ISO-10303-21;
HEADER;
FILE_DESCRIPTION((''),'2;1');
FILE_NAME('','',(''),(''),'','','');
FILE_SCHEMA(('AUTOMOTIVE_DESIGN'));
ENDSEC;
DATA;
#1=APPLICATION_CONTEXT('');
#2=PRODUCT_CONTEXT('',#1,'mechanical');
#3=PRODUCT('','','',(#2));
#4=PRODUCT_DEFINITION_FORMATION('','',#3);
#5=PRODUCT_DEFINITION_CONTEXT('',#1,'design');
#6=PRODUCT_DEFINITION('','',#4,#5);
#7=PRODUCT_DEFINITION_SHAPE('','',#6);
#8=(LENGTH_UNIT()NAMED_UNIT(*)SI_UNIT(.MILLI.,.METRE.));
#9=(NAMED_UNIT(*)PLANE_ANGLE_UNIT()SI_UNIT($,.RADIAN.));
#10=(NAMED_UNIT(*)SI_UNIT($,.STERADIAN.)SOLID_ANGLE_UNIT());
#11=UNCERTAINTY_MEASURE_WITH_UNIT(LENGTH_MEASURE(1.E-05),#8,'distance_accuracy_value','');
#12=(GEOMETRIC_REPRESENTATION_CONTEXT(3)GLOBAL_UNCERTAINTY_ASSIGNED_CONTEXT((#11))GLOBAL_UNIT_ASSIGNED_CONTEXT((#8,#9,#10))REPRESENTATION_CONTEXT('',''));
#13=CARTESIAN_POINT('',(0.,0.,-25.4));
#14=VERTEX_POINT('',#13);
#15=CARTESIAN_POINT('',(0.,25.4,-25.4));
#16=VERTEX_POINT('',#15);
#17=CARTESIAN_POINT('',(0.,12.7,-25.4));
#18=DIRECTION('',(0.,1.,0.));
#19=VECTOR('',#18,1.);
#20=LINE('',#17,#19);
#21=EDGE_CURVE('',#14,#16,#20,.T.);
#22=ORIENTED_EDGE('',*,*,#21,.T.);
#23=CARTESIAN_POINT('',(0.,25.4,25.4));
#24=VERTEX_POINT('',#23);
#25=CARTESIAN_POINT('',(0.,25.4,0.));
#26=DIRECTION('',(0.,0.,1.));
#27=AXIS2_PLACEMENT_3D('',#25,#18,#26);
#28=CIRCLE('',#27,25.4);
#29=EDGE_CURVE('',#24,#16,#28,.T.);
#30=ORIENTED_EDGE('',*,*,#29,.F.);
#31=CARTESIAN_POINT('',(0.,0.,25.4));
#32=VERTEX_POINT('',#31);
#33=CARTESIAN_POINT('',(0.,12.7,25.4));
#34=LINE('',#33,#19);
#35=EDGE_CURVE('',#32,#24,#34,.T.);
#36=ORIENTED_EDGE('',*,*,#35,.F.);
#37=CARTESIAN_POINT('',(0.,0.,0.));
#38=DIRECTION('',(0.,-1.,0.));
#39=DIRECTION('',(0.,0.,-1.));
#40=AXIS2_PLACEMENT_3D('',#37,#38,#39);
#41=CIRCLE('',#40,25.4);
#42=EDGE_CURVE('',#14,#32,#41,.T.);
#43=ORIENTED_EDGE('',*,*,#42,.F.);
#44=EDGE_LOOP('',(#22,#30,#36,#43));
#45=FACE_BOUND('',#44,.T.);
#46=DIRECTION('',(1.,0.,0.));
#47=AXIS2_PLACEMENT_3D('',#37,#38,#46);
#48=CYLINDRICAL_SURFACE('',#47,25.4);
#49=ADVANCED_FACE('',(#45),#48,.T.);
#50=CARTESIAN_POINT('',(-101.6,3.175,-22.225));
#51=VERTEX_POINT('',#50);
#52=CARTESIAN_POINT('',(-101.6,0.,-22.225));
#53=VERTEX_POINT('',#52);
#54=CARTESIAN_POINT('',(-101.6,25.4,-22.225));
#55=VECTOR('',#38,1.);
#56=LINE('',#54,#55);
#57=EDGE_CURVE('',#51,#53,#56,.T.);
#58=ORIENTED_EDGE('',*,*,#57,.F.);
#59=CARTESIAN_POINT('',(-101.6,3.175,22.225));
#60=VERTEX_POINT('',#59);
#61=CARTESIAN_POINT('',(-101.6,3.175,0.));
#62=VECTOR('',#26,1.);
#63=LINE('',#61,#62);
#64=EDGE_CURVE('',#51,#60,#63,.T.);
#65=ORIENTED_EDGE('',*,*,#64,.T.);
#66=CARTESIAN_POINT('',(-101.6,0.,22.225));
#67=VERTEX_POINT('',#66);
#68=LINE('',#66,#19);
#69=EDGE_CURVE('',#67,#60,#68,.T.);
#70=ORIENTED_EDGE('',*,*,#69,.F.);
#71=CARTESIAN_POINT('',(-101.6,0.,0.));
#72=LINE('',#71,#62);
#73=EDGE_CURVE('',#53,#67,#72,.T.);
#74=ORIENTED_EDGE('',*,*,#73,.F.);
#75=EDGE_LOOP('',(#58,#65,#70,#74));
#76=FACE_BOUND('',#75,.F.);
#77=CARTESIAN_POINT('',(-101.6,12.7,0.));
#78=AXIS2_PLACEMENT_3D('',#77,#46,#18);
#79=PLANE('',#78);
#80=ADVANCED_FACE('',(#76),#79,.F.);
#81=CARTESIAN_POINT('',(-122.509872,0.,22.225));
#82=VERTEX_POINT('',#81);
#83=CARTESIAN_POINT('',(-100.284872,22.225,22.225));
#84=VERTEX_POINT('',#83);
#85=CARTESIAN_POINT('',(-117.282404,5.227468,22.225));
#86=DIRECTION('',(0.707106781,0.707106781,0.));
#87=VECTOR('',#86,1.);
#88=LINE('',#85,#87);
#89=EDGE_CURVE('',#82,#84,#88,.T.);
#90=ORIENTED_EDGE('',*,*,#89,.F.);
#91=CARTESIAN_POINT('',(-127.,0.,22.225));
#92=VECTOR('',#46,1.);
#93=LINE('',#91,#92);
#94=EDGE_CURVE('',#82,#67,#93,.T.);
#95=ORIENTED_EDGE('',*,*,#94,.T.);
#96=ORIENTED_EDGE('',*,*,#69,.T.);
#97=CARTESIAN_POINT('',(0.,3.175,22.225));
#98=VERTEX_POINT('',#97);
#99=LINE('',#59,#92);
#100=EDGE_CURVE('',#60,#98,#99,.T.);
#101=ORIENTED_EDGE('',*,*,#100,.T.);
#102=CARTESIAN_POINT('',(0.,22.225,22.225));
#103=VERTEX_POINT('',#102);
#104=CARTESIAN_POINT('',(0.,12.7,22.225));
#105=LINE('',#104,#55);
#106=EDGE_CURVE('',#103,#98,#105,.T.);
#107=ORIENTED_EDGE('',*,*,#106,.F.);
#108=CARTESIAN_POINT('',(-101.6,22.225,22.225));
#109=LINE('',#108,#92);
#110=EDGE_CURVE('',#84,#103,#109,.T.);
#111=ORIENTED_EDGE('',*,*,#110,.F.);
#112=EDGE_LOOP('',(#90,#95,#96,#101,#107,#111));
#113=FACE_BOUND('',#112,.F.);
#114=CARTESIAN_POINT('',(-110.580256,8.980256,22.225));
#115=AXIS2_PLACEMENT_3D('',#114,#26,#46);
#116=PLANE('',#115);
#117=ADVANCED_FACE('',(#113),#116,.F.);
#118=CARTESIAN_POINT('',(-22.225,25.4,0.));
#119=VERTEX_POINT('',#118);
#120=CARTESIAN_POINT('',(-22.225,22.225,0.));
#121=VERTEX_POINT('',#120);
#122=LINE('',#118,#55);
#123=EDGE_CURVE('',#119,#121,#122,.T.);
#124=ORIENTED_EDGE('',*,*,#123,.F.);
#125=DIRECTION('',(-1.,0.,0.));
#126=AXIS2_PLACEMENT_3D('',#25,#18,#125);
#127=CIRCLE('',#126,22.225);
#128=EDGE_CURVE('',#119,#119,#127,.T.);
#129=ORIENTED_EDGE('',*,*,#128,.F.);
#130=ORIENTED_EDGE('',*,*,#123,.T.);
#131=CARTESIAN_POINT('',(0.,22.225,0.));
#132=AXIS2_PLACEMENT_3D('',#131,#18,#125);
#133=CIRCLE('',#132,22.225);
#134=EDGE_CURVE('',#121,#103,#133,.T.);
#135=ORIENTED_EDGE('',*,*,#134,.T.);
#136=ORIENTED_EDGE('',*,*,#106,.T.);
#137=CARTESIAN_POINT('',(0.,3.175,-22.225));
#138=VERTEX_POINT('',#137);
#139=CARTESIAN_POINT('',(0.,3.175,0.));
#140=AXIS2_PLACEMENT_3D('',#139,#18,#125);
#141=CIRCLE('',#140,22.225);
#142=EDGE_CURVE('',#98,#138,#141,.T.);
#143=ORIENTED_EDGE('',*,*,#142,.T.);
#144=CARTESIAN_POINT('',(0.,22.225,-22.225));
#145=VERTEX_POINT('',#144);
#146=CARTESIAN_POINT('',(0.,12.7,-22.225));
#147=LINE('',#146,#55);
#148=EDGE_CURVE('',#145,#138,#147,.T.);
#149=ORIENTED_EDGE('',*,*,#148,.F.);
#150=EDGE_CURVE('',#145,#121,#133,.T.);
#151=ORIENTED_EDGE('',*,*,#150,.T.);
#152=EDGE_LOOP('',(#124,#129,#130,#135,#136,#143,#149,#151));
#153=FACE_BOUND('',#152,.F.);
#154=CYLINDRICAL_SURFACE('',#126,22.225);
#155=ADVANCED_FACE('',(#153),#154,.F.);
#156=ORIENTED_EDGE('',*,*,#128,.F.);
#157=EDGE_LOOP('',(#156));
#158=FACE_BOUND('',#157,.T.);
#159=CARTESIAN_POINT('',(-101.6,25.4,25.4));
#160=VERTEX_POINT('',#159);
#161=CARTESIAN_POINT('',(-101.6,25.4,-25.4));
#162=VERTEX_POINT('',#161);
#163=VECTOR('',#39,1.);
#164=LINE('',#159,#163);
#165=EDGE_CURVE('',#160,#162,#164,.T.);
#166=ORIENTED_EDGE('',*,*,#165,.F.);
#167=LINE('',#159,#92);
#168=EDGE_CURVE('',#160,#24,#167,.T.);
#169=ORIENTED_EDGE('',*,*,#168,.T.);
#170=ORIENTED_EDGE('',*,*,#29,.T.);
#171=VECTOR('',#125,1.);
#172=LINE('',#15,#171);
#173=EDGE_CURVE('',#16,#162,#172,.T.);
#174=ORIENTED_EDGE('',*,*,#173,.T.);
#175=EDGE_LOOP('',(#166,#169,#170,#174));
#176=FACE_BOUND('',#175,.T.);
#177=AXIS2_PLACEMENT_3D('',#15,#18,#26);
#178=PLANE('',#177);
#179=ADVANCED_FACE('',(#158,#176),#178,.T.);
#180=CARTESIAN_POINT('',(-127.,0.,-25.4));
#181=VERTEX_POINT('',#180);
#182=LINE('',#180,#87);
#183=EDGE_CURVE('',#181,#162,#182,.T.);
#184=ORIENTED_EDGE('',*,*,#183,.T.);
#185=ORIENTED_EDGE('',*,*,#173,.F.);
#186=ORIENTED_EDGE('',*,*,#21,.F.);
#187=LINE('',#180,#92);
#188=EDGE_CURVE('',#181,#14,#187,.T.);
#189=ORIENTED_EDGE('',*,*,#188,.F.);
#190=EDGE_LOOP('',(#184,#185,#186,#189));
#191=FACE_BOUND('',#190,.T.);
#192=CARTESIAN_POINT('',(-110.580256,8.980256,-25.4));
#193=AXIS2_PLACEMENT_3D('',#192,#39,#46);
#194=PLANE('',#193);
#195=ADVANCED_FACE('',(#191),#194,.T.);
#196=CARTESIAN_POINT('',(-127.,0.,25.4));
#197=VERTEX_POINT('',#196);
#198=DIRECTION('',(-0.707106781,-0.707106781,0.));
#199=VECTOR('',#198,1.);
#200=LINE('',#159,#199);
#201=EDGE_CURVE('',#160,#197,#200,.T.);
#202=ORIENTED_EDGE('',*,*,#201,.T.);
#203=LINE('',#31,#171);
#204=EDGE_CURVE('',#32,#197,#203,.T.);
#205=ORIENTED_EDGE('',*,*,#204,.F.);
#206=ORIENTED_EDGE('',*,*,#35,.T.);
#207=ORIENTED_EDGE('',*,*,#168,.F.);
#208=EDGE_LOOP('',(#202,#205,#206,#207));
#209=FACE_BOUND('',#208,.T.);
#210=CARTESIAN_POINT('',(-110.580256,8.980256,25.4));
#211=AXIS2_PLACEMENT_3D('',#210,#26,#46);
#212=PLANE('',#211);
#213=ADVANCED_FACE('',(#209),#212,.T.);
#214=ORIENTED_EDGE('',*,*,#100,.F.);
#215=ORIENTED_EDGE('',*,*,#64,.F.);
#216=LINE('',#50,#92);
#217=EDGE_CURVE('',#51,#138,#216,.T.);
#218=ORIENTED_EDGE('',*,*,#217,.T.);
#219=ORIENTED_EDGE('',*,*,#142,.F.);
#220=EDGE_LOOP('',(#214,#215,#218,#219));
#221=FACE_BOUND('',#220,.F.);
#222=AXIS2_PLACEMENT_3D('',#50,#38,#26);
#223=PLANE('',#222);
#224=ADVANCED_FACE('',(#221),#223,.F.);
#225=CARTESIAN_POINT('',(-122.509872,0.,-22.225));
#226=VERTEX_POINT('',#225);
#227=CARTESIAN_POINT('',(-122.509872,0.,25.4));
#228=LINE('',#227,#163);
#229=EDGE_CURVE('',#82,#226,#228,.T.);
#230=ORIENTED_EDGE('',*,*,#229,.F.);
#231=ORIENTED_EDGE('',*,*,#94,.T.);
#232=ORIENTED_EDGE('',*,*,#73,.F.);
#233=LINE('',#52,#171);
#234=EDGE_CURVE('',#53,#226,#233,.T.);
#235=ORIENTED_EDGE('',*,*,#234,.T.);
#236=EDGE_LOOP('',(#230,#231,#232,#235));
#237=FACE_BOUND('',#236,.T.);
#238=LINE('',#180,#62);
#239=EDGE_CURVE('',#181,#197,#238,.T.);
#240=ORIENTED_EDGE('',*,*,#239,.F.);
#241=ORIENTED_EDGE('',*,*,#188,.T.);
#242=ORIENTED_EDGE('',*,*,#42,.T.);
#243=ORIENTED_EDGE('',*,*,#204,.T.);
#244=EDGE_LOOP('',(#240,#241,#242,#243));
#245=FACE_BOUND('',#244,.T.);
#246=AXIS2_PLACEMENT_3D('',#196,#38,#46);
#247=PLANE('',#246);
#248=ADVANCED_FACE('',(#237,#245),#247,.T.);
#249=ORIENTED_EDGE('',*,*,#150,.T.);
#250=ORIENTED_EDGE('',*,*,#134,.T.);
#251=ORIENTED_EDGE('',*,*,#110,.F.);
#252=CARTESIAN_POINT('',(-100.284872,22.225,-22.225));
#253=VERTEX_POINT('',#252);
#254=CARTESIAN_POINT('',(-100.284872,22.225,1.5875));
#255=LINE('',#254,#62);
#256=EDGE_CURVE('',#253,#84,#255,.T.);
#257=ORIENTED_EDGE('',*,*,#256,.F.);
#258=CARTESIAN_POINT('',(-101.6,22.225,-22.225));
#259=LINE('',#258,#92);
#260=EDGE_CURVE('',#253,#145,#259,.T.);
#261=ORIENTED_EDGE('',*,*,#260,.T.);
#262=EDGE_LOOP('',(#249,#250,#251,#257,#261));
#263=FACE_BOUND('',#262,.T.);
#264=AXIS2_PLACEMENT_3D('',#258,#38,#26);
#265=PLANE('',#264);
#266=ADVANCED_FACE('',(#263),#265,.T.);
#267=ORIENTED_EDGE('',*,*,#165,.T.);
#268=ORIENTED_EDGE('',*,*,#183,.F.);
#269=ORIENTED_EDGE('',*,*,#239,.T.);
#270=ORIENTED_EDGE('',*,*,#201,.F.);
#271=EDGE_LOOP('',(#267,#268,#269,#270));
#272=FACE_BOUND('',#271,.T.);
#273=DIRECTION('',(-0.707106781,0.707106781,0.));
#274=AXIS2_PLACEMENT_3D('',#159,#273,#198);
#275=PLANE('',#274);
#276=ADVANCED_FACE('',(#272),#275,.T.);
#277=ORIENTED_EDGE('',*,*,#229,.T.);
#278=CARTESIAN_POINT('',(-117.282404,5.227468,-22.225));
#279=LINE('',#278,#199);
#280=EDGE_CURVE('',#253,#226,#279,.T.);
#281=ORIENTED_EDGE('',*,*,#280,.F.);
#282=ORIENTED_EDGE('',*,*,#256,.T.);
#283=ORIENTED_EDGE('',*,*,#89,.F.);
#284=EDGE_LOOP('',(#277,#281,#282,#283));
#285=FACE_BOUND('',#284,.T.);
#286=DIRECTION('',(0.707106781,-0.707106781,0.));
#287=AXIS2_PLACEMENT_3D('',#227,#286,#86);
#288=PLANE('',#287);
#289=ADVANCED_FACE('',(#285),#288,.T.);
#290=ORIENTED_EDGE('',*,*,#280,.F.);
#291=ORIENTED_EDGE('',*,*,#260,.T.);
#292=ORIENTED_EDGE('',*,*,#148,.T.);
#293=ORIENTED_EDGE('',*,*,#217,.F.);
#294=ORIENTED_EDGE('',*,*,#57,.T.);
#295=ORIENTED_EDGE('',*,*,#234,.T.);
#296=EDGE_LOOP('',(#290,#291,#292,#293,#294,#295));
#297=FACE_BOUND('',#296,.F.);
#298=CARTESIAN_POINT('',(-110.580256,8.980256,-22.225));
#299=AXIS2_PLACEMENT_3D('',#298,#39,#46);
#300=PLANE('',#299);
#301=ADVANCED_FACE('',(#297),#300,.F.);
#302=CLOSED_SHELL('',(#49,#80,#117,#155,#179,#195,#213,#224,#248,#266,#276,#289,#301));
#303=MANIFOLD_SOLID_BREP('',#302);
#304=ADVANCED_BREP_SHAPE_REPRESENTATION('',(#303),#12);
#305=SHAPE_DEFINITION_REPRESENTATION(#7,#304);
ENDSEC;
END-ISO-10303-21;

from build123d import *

# Parameters (mm, degrees)
F0_R      = 25.4
F1_DEPTH  = 25.4
F2_W      = 25.4
F2_H      = 50.8
F3_DEPTH  = 101.6
F4_W      = 19.05
F4_H      = 44.45
F5_DEPTH  = 101.6
F6_R      = 22.225
F7_DEPTH  = 22.225
F9_DEPTH  = 3.175
F11_DEPTH = 3.175
F13_DEPTH = 50.8


with BuildPart() as f1:
    # F0 (on Front) → F1 (new body)
    with BuildSketch(Plane.XZ):
        Circle(F0_R)
    extrude(amount=-F1_DEPTH)

    # F2 (on Right) → F3 (join)
    with BuildSketch(Plane.YZ):
        with Locations((12.7, 0)):
            Rectangle(F2_W, F2_H)
    extrude(amount=-F3_DEPTH)

    # F4 (on face) → F5 (cut)
    with BuildSketch(Plane(origin=(-101.6, 0, 0), x_dir=(0, -1, 0), z_dir=(-1, 0, 0))):
        with Locations((-12.7, 0)):
            Rectangle(F4_W, F4_H)
    extrude(amount=-F5_DEPTH, mode=Mode.SUBTRACT)

    # F6 (on face) → F7 (cut)
    with BuildSketch(Plane(origin=(0, 25.4, 0), x_dir=(-1, 0, 0), z_dir=(0, 1, 0))):
        Circle(F6_R)
    extrude(amount=-F7_DEPTH, mode=Mode.SUBTRACT)

    # F8 (on face) → F9 (join)
    with BuildSketch(Plane(origin=(0, 0, -25.4), x_dir=(1, 0, 0), z_dir=(0, 0, -1))):
        Polygon((-127, 0), (-101.6, -25.4), (-101.6, 0), align=None)
    extrude(amount=-F9_DEPTH)

    # F10 (on face) → F11 (join)
    with BuildSketch(Plane.XY.offset(25.4)):
        Polygon((-101.6, 0), (-101.6, 25.4), (-127, 0), align=None)
    extrude(amount=-F11_DEPTH)

    # F12 (on face) → F13 (join)
    with BuildSketch(Plane.XY.offset(25.4)):
        Polygon((-97.109872, 25.4), (-101.6, 25.4), (-127, 0), (-122.509872, 0), align=None)
    extrude(amount=-F13_DEPTH)


solid = f1.part
